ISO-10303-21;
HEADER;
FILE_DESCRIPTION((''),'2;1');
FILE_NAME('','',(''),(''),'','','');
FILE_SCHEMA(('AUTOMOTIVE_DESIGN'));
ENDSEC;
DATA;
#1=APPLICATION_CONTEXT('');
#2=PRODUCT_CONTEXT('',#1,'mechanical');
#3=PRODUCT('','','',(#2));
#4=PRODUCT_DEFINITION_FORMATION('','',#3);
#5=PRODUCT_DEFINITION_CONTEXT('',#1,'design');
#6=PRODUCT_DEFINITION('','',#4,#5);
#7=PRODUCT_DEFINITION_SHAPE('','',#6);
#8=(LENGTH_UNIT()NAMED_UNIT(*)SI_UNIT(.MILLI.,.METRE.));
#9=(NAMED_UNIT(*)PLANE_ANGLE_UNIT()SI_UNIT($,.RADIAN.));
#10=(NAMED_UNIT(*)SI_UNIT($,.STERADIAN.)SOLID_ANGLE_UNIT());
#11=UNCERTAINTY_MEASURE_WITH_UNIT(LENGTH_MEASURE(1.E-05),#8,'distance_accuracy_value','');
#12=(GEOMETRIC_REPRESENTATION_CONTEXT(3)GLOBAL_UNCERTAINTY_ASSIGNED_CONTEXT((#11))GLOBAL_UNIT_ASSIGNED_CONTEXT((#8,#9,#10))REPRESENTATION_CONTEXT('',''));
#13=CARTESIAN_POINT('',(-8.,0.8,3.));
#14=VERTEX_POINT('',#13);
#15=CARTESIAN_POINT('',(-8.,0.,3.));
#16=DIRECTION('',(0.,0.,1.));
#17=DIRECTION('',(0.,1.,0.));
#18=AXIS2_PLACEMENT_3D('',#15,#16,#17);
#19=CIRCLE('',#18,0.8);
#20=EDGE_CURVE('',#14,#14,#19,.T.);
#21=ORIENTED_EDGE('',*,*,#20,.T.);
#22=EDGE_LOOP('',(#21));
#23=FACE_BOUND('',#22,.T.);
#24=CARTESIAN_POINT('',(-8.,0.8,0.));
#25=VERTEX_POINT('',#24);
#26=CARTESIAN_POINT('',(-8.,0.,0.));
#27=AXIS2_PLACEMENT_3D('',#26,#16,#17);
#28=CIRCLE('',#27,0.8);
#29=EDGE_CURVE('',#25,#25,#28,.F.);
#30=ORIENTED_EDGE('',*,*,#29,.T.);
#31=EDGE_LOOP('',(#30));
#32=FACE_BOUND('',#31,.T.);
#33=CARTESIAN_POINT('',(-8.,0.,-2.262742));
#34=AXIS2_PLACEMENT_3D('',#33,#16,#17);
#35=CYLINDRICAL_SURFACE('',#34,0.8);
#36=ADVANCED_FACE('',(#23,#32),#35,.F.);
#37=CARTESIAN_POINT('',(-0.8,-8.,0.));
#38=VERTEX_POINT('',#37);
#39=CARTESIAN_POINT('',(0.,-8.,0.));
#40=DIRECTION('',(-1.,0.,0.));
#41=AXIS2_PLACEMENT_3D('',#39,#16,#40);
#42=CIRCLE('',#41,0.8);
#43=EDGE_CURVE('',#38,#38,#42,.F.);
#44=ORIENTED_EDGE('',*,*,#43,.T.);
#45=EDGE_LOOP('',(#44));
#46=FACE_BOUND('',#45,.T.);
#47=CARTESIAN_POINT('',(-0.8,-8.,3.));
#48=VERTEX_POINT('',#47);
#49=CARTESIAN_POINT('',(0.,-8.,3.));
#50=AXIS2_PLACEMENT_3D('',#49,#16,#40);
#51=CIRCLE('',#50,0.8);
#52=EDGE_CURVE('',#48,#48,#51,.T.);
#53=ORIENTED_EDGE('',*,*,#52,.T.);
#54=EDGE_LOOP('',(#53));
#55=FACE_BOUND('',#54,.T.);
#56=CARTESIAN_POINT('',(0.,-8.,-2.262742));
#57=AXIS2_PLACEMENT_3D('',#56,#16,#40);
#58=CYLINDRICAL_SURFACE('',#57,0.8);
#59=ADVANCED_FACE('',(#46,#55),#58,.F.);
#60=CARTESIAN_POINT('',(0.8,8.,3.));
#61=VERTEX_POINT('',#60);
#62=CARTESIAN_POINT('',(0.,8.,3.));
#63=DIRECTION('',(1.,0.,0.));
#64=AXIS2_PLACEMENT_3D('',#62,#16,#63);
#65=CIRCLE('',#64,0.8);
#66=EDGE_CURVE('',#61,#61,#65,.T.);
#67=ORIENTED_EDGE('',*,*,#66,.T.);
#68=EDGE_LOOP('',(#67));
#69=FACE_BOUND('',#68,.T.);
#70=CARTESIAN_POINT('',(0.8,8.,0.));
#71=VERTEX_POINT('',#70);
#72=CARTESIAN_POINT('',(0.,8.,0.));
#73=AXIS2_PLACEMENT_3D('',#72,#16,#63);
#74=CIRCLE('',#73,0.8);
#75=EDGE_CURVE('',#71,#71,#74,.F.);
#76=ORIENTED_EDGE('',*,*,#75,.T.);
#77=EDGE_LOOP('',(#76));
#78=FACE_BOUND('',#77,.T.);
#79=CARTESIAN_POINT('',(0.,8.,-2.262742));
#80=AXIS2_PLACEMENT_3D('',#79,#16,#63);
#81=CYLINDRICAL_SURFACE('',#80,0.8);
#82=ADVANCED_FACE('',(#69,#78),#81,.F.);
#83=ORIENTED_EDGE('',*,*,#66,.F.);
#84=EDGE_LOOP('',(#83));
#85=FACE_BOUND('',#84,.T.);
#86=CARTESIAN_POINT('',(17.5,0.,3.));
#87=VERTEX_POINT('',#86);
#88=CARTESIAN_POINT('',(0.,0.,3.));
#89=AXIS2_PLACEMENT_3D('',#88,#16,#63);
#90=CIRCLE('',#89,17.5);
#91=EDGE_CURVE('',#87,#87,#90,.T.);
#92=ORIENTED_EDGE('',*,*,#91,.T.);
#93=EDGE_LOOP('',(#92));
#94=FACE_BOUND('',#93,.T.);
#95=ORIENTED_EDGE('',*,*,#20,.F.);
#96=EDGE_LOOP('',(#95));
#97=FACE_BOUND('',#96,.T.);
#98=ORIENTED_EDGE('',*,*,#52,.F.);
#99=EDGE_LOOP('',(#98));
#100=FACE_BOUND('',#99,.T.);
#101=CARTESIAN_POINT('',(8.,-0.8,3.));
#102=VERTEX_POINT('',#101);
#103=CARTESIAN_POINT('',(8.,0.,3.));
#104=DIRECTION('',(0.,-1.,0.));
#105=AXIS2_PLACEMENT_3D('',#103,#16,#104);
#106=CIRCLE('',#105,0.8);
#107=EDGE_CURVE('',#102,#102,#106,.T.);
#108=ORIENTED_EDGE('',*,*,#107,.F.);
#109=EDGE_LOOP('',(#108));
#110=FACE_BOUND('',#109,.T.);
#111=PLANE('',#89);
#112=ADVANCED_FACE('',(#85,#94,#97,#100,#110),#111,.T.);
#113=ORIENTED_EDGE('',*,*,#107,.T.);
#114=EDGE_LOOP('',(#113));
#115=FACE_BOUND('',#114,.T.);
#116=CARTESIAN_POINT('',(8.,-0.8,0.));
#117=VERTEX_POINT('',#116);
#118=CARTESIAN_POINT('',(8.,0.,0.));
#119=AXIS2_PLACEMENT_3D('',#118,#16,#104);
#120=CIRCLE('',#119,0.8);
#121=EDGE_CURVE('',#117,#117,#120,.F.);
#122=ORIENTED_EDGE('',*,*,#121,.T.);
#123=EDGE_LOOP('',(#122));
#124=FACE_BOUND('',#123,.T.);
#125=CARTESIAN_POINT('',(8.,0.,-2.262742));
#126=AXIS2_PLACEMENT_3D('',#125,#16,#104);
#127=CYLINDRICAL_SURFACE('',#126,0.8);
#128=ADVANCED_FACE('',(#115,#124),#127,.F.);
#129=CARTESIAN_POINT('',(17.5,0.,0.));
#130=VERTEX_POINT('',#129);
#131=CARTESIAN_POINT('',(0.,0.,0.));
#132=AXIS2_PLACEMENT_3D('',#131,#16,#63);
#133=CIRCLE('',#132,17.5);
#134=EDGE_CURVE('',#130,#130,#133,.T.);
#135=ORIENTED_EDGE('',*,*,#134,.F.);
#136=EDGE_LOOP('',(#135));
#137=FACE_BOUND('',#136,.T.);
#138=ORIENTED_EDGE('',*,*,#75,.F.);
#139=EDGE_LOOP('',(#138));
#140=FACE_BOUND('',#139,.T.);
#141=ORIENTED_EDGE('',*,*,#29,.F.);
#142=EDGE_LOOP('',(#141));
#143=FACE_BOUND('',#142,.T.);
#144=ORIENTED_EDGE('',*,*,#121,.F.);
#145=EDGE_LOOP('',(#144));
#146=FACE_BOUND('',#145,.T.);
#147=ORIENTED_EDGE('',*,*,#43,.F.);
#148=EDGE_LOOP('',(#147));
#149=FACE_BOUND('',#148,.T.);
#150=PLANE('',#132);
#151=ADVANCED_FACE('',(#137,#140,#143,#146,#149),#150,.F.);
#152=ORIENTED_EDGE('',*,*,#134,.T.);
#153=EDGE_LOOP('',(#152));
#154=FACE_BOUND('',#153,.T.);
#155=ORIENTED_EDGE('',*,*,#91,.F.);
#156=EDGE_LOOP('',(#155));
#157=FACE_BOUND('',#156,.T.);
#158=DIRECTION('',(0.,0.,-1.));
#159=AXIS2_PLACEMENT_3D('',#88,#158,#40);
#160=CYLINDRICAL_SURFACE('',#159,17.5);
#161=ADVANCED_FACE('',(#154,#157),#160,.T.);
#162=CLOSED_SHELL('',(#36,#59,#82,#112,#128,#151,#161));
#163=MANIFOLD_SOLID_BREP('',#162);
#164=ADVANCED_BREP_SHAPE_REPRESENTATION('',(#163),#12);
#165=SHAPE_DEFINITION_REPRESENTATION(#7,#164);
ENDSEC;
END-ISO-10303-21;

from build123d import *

# Parameters (mm, degrees)
ESQUISSE1_R                  = 17.5
BOSS_EXTRU_1_DEPTH           = 3
ESQUISSE2_R                  = 0.8
ENL_V_MAT_EXTRU_1_DEPTH      = 3
R_P_TITION_CIRCULAIRE1_COUNT = 4


with BuildPart() as part:
    # Esquisse1 → Boss.-Extru.1 (new body)
    with BuildSketch(Plane.XY):
        Circle(ESQUISSE1_R)
    extrude(amount=BOSS_EXTRU_1_DEPTH)

    # Esquisse2 → Enlèv. mat.-Extru.1 (cut)
    with BuildSketch(Plane.XY.offset(3)):
        with Locations((0, 8)):
            Circle(ESQUISSE2_R)
    enl_v_mat_extru_1 = extrude(amount=-ENL_V_MAT_EXTRU_1_DEPTH, mode=Mode.SUBTRACT)

    # Répétition circulaire1: Enlèv. mat.-Extru.1 ×4 about axis
    r_p_tition_circulaire1_axis = Axis((0, 0, 0), (0, 0, 1))
    for i in range(1, R_P_TITION_CIRCULAIRE1_COUNT):
        add(enl_v_mat_extru_1.rotate(r_p_tition_circulaire1_axis, i * 360 / R_P_TITION_CIRCULAIRE1_COUNT), mode=Mode.SUBTRACT)


solid = part.part
